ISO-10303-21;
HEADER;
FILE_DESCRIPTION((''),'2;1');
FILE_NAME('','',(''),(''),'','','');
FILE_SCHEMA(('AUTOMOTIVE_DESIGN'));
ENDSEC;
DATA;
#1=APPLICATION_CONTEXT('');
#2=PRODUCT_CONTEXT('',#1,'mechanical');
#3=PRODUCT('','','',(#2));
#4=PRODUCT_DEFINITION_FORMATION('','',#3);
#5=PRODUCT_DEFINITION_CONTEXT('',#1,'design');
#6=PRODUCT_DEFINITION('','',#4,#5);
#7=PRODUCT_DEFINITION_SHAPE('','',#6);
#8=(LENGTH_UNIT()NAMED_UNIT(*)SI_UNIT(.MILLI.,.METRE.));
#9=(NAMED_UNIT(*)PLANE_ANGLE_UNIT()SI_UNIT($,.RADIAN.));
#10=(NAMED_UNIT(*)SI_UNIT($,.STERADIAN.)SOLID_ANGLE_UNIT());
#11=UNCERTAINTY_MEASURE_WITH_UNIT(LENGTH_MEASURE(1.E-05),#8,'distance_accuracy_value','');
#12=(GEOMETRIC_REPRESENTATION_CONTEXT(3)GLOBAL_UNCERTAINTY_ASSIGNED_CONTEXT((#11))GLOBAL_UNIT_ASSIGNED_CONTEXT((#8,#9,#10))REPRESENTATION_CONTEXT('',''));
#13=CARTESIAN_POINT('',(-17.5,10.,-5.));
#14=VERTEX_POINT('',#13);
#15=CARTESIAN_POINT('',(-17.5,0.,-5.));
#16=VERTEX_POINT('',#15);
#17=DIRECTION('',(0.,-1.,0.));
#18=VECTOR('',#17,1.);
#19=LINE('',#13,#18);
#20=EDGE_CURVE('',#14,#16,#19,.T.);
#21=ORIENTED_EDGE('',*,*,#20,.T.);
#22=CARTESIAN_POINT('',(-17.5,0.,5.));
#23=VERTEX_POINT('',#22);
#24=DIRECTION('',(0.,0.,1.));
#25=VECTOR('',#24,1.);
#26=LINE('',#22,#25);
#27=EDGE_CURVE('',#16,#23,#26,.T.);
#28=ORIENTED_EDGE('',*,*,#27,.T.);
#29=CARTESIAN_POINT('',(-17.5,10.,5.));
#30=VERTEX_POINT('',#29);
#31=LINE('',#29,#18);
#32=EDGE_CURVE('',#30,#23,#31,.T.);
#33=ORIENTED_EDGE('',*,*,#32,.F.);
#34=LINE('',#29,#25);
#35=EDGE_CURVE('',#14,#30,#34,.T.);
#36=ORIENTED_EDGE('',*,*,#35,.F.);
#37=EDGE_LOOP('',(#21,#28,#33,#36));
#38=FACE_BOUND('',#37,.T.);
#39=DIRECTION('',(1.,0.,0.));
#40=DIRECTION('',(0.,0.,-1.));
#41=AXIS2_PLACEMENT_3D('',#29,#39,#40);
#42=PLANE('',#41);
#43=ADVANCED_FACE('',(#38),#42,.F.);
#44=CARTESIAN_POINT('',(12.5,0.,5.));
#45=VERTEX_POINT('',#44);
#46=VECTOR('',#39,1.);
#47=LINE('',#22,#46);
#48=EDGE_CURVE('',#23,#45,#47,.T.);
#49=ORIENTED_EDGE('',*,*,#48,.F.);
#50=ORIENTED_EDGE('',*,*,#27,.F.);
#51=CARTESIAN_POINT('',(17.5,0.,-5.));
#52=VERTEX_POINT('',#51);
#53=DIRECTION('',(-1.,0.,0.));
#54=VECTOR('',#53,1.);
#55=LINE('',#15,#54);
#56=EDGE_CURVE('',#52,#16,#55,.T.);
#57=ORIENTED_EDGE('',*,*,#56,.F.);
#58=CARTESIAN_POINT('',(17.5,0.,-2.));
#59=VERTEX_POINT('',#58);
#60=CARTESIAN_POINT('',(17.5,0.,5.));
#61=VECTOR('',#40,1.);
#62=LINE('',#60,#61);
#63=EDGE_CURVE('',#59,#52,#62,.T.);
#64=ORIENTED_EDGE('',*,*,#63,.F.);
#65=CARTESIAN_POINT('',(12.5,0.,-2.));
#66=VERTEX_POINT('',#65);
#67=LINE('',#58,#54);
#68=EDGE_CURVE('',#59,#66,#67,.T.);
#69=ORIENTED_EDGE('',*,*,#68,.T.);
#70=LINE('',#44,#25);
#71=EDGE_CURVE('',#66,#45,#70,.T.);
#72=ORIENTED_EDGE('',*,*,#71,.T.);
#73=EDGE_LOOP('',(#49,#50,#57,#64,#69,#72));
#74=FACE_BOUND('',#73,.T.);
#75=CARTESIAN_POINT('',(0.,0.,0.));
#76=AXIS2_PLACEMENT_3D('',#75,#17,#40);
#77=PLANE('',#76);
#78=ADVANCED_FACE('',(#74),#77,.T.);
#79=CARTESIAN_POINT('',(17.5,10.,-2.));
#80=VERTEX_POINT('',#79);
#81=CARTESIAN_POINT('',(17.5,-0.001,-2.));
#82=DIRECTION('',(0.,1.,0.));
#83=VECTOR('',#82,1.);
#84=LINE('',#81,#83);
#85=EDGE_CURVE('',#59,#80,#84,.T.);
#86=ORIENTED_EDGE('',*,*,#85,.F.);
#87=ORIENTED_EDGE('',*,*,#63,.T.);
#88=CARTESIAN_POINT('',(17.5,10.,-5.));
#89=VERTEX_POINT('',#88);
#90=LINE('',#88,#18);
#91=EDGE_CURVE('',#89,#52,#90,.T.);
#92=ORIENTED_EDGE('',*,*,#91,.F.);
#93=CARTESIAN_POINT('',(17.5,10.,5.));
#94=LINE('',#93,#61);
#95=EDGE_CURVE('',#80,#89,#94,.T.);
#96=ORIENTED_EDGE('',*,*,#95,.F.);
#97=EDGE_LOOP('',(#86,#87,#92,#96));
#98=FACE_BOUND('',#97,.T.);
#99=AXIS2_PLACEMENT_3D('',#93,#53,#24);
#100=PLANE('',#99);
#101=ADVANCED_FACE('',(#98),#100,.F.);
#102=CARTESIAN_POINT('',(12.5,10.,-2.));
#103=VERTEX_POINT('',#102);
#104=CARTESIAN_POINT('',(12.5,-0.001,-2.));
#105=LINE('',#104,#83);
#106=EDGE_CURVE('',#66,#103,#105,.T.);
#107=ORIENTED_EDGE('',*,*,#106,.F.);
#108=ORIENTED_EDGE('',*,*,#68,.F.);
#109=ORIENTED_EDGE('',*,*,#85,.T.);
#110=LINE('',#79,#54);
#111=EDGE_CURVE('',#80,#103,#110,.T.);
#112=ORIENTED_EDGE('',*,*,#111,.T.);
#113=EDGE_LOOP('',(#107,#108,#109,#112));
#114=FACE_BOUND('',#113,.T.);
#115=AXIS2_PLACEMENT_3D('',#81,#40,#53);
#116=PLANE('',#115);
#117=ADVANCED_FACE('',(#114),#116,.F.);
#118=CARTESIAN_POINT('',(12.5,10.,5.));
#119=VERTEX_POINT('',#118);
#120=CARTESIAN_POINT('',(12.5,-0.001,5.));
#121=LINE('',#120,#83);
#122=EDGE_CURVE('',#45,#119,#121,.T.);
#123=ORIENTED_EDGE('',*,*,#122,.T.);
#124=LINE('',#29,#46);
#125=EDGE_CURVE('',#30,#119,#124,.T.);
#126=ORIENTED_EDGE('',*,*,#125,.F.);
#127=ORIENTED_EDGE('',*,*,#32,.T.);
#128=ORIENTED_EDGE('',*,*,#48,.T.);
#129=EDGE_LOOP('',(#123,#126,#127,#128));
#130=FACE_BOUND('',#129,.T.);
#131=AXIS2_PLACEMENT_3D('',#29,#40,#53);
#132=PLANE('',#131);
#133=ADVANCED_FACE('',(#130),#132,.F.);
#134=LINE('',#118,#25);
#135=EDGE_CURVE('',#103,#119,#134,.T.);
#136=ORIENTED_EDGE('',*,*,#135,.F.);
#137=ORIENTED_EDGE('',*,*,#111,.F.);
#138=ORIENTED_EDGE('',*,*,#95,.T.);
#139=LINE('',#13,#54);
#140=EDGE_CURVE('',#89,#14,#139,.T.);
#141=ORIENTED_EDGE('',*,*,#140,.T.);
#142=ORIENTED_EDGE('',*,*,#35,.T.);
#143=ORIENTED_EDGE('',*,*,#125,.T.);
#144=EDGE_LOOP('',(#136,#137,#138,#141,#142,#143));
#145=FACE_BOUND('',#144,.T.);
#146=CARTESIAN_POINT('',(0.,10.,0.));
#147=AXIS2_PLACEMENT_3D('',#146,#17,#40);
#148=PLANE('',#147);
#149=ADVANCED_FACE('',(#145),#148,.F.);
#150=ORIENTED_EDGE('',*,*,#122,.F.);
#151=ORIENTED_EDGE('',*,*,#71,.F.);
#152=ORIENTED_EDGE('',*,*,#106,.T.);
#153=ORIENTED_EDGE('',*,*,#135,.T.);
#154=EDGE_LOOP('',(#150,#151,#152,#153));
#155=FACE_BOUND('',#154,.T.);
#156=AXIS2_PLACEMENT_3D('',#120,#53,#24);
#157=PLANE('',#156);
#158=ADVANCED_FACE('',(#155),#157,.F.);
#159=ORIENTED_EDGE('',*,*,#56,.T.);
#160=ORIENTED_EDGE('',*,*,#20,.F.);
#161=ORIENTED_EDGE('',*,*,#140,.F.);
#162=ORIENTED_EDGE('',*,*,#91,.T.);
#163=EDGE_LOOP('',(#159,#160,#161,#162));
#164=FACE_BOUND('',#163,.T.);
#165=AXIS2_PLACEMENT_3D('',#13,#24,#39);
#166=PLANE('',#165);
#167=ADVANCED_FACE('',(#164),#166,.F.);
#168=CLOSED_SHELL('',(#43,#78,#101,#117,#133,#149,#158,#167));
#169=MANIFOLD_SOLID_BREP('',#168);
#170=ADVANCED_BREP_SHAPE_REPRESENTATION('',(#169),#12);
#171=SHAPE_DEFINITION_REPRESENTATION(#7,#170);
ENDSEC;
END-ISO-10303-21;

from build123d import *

# Parameters (mm, degrees)
SKETCH1_W           = 35
SKETCH1_H           = 10
BOSS_EXTRUDE1_DEPTH = 10
CUT_EXTRUDE2_REACH  = 22.767
SKETCH3_W           = 5
SKETCH3_H           = 7


with BuildPart() as part:
    # Sketch1 → Boss-Extrude1 (new body)
    with BuildSketch(Plane(origin=(0, 0, 0), x_dir=(1, 0, 0), z_dir=(0, 1, 0))):
        Rectangle(SKETCH1_W, SKETCH1_H)
    extrude(amount=BOSS_EXTRUDE1_DEPTH)

    # Sketch3 → Cut-Extrude2 (cut, up to next)
    with BuildSketch(Plane(origin=(0, 10, 0), x_dir=(1, 0, 0), z_dir=(0, 1, 0)), mode=Mode.PRIVATE) as cut_extrude2_sk1:
        with Locations((15, -1.5)):
            Rectangle(SKETCH3_W, SKETCH3_H)
    cut_extrude2_tool1 = extrude(cut_extrude2_sk1.sketch, amount=-CUT_EXTRUDE2_REACH, mode=Mode.PRIVATE) & part.part
    add(cut_extrude2_tool1.solids().sort_by_distance((15, 10, 1.5))[0], mode=Mode.SUBTRACT)


solid = part.part
